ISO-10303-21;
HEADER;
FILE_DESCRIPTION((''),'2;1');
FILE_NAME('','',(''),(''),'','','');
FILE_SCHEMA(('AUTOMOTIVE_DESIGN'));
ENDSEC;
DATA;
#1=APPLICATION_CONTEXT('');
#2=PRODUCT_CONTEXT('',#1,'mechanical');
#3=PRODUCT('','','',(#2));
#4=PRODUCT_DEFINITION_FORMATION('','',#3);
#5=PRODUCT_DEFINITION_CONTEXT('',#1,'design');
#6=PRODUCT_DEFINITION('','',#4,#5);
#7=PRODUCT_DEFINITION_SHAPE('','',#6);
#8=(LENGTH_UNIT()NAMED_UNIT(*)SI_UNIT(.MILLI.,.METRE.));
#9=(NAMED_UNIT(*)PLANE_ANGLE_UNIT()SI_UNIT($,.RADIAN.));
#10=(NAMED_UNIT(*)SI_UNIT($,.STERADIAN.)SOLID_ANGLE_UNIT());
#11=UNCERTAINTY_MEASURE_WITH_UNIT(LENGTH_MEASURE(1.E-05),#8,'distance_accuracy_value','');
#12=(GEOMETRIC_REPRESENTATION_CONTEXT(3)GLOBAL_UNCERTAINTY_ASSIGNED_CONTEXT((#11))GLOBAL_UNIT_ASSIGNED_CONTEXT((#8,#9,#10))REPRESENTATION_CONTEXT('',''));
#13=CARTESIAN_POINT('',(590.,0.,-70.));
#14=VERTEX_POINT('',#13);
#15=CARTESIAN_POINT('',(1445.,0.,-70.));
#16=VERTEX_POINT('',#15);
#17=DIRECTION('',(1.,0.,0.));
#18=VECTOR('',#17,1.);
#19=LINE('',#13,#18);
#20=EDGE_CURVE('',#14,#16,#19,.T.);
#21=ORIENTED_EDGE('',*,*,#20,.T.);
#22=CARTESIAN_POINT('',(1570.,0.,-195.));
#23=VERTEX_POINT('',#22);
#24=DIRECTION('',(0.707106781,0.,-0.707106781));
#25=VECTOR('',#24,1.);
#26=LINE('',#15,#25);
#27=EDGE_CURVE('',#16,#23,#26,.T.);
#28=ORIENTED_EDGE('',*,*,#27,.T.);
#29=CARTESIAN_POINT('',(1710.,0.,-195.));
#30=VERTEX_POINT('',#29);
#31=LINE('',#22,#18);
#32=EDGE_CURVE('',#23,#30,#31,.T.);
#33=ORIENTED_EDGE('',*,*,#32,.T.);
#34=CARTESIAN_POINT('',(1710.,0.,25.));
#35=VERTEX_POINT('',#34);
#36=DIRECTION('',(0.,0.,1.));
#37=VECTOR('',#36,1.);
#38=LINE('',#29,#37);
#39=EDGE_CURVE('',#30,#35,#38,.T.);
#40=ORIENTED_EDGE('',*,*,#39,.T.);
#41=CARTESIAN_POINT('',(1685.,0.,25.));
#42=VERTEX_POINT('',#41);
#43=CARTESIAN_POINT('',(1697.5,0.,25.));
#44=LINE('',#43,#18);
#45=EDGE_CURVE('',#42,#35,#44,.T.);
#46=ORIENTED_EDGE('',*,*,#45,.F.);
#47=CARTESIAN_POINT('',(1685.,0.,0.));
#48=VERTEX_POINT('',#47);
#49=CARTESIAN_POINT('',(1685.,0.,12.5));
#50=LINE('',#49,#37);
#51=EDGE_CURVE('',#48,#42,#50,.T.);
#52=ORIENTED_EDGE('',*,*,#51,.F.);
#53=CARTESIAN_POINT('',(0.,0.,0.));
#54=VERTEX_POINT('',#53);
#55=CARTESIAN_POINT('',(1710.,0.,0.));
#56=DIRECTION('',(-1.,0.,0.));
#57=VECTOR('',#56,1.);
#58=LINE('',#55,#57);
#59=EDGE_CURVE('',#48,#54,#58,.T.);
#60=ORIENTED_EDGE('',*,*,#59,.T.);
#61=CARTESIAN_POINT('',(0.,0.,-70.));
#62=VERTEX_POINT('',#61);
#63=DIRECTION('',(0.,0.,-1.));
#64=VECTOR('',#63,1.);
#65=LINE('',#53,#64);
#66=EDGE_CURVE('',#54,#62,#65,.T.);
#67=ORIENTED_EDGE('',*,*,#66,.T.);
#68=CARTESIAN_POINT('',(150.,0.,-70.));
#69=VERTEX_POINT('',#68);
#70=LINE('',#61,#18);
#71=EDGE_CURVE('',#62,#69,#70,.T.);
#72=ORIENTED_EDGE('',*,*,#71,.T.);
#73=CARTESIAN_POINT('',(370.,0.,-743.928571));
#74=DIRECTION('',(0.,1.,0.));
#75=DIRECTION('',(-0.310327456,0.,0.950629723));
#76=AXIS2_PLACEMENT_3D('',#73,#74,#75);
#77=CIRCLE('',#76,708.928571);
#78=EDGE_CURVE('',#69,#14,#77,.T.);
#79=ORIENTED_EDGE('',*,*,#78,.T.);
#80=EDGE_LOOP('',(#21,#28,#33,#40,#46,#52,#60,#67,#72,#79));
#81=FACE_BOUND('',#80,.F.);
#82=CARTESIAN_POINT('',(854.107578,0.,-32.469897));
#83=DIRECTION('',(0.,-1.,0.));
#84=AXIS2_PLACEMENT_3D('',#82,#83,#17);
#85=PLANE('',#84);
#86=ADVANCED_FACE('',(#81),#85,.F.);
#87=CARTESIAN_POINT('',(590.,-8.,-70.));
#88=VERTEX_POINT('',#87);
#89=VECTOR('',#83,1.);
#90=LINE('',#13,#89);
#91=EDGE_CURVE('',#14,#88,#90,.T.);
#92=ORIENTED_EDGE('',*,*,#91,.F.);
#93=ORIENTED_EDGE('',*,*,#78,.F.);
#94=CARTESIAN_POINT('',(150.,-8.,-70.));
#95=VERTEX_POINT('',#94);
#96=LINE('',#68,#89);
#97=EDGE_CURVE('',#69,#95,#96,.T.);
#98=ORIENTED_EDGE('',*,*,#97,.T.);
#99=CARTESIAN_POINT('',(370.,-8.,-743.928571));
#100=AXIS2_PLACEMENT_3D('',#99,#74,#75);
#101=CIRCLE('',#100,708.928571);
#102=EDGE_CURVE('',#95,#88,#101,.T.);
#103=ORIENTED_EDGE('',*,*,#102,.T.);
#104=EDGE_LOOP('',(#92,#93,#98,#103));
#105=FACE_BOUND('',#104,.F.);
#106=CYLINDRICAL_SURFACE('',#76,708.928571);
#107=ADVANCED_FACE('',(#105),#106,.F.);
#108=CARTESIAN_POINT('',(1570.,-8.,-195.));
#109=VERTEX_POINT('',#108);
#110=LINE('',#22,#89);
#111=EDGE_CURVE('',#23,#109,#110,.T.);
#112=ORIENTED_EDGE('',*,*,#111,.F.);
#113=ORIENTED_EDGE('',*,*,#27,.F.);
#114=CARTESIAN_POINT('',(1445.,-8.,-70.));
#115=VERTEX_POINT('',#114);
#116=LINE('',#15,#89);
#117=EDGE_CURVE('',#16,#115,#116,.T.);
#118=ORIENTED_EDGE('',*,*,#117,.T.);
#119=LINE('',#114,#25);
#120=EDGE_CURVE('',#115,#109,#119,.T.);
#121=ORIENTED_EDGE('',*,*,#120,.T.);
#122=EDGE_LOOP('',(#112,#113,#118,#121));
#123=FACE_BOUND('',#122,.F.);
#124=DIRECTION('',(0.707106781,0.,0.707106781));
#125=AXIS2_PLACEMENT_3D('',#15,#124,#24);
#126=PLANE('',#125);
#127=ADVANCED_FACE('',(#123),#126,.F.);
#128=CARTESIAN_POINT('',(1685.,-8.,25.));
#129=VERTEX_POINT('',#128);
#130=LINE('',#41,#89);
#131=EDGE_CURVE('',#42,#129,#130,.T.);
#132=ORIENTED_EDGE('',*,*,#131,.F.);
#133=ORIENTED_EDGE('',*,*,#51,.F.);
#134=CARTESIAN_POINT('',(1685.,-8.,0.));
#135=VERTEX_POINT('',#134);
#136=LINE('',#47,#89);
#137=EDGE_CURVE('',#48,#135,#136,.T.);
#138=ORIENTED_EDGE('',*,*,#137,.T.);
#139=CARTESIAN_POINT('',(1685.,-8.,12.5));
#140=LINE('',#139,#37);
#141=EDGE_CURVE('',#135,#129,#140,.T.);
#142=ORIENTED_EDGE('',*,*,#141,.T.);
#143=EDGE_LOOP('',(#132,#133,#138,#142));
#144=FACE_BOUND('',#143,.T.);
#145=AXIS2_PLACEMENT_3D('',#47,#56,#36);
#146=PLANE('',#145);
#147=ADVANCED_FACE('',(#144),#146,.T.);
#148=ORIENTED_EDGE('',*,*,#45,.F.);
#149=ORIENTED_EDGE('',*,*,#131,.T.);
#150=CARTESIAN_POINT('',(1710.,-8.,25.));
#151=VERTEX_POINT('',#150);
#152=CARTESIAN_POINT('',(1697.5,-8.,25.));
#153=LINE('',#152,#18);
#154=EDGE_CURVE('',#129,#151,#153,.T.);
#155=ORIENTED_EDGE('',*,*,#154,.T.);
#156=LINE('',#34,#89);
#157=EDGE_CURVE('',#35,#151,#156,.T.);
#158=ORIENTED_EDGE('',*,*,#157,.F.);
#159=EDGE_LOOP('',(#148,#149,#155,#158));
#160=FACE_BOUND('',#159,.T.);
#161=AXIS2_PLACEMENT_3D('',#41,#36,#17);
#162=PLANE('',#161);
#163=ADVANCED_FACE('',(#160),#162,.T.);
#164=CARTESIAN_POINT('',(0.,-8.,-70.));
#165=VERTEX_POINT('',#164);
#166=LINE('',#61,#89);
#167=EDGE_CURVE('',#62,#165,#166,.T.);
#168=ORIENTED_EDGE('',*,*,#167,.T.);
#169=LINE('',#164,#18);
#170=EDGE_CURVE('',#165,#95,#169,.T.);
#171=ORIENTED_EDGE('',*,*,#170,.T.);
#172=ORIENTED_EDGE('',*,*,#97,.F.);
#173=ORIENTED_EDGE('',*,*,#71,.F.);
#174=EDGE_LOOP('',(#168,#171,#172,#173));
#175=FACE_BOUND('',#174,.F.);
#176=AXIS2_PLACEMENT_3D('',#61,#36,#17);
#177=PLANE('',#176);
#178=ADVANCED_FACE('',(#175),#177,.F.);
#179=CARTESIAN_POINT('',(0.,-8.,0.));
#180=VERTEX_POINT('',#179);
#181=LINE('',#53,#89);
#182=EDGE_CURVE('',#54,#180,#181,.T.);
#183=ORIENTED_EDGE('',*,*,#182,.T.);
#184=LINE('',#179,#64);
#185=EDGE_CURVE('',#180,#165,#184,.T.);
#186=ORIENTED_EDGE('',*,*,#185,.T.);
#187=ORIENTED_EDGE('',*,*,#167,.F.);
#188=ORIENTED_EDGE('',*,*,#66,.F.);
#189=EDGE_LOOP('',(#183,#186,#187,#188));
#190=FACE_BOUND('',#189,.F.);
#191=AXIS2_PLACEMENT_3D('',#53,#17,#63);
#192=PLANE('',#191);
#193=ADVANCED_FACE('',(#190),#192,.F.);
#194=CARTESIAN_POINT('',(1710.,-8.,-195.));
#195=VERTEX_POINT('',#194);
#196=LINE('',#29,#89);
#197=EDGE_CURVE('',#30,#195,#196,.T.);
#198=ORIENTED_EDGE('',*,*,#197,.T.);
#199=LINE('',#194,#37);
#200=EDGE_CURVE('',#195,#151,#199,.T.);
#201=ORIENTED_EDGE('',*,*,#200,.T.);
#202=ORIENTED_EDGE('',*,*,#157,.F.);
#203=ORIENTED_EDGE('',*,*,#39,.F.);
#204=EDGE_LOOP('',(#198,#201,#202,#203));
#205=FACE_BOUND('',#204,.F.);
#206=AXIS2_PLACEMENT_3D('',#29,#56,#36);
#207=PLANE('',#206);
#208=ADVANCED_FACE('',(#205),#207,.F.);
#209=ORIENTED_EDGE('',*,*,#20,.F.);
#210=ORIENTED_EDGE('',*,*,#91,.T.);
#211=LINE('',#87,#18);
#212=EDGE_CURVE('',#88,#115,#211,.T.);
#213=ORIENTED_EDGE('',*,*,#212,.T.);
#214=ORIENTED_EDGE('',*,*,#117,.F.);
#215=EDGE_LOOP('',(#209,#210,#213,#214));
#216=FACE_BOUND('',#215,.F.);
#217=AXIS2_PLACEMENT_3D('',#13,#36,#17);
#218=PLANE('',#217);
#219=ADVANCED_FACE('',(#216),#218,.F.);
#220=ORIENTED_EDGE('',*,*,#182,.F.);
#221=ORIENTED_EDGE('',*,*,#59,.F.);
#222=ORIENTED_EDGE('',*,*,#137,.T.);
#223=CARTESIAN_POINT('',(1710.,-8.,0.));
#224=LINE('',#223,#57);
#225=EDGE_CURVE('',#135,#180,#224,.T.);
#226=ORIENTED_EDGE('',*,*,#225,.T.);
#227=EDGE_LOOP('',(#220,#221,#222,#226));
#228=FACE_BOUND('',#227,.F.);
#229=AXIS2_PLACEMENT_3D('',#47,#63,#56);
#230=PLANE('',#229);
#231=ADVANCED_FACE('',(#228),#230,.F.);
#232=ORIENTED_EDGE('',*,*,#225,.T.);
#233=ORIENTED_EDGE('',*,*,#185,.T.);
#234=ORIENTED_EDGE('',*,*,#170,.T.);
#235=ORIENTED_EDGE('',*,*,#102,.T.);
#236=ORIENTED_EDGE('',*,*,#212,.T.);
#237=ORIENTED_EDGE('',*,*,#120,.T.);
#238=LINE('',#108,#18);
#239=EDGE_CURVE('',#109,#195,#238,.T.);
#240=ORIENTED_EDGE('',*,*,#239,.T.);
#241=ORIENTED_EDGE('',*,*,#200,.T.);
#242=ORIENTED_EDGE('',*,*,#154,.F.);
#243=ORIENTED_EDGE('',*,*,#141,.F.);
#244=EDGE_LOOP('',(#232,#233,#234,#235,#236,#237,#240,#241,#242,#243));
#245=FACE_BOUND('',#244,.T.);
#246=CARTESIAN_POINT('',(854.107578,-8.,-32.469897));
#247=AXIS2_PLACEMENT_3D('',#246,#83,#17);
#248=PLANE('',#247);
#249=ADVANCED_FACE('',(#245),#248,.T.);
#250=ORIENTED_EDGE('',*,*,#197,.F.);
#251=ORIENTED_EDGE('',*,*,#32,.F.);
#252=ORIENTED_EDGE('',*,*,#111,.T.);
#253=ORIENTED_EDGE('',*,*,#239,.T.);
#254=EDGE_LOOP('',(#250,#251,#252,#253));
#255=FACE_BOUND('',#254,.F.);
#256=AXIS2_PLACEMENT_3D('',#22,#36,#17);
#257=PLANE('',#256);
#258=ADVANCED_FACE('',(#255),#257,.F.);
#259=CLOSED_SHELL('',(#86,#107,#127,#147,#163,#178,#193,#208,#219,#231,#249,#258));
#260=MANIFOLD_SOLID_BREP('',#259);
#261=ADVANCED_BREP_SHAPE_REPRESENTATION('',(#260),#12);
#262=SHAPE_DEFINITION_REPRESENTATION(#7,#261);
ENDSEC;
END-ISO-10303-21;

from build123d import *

# Parameters (mm, degrees)
F0_W     = 25
F0_H     = 25
F1_DEPTH = 8


with BuildPart() as f1:
    # F0 (on Front) → F1 (new body)
    with BuildSketch(Plane.XZ):
        with BuildLine():
            Line((1685, 0), (0, 0))
            Line((0, 0), (0, -70))
            Line((0, -70), (150, -70))
            ThreePointArc((150, -70), (370, -35), (590, -70))
            Line((590, -70), (1445, -70))
            Line((1445, -70), (1710, -70))
            Line((1710, -70), (1710, 0))
            Line((1710, 0), (1685, 0))
        make_face()
        Polygon((1710, -195), (1710, -70), (1445, -70), (1570, -195), align=None)
        with Locations((1697.5, 12.5)):
            Rectangle(F0_W, F0_H)
    extrude(amount=F1_DEPTH)


solid = f1.part
